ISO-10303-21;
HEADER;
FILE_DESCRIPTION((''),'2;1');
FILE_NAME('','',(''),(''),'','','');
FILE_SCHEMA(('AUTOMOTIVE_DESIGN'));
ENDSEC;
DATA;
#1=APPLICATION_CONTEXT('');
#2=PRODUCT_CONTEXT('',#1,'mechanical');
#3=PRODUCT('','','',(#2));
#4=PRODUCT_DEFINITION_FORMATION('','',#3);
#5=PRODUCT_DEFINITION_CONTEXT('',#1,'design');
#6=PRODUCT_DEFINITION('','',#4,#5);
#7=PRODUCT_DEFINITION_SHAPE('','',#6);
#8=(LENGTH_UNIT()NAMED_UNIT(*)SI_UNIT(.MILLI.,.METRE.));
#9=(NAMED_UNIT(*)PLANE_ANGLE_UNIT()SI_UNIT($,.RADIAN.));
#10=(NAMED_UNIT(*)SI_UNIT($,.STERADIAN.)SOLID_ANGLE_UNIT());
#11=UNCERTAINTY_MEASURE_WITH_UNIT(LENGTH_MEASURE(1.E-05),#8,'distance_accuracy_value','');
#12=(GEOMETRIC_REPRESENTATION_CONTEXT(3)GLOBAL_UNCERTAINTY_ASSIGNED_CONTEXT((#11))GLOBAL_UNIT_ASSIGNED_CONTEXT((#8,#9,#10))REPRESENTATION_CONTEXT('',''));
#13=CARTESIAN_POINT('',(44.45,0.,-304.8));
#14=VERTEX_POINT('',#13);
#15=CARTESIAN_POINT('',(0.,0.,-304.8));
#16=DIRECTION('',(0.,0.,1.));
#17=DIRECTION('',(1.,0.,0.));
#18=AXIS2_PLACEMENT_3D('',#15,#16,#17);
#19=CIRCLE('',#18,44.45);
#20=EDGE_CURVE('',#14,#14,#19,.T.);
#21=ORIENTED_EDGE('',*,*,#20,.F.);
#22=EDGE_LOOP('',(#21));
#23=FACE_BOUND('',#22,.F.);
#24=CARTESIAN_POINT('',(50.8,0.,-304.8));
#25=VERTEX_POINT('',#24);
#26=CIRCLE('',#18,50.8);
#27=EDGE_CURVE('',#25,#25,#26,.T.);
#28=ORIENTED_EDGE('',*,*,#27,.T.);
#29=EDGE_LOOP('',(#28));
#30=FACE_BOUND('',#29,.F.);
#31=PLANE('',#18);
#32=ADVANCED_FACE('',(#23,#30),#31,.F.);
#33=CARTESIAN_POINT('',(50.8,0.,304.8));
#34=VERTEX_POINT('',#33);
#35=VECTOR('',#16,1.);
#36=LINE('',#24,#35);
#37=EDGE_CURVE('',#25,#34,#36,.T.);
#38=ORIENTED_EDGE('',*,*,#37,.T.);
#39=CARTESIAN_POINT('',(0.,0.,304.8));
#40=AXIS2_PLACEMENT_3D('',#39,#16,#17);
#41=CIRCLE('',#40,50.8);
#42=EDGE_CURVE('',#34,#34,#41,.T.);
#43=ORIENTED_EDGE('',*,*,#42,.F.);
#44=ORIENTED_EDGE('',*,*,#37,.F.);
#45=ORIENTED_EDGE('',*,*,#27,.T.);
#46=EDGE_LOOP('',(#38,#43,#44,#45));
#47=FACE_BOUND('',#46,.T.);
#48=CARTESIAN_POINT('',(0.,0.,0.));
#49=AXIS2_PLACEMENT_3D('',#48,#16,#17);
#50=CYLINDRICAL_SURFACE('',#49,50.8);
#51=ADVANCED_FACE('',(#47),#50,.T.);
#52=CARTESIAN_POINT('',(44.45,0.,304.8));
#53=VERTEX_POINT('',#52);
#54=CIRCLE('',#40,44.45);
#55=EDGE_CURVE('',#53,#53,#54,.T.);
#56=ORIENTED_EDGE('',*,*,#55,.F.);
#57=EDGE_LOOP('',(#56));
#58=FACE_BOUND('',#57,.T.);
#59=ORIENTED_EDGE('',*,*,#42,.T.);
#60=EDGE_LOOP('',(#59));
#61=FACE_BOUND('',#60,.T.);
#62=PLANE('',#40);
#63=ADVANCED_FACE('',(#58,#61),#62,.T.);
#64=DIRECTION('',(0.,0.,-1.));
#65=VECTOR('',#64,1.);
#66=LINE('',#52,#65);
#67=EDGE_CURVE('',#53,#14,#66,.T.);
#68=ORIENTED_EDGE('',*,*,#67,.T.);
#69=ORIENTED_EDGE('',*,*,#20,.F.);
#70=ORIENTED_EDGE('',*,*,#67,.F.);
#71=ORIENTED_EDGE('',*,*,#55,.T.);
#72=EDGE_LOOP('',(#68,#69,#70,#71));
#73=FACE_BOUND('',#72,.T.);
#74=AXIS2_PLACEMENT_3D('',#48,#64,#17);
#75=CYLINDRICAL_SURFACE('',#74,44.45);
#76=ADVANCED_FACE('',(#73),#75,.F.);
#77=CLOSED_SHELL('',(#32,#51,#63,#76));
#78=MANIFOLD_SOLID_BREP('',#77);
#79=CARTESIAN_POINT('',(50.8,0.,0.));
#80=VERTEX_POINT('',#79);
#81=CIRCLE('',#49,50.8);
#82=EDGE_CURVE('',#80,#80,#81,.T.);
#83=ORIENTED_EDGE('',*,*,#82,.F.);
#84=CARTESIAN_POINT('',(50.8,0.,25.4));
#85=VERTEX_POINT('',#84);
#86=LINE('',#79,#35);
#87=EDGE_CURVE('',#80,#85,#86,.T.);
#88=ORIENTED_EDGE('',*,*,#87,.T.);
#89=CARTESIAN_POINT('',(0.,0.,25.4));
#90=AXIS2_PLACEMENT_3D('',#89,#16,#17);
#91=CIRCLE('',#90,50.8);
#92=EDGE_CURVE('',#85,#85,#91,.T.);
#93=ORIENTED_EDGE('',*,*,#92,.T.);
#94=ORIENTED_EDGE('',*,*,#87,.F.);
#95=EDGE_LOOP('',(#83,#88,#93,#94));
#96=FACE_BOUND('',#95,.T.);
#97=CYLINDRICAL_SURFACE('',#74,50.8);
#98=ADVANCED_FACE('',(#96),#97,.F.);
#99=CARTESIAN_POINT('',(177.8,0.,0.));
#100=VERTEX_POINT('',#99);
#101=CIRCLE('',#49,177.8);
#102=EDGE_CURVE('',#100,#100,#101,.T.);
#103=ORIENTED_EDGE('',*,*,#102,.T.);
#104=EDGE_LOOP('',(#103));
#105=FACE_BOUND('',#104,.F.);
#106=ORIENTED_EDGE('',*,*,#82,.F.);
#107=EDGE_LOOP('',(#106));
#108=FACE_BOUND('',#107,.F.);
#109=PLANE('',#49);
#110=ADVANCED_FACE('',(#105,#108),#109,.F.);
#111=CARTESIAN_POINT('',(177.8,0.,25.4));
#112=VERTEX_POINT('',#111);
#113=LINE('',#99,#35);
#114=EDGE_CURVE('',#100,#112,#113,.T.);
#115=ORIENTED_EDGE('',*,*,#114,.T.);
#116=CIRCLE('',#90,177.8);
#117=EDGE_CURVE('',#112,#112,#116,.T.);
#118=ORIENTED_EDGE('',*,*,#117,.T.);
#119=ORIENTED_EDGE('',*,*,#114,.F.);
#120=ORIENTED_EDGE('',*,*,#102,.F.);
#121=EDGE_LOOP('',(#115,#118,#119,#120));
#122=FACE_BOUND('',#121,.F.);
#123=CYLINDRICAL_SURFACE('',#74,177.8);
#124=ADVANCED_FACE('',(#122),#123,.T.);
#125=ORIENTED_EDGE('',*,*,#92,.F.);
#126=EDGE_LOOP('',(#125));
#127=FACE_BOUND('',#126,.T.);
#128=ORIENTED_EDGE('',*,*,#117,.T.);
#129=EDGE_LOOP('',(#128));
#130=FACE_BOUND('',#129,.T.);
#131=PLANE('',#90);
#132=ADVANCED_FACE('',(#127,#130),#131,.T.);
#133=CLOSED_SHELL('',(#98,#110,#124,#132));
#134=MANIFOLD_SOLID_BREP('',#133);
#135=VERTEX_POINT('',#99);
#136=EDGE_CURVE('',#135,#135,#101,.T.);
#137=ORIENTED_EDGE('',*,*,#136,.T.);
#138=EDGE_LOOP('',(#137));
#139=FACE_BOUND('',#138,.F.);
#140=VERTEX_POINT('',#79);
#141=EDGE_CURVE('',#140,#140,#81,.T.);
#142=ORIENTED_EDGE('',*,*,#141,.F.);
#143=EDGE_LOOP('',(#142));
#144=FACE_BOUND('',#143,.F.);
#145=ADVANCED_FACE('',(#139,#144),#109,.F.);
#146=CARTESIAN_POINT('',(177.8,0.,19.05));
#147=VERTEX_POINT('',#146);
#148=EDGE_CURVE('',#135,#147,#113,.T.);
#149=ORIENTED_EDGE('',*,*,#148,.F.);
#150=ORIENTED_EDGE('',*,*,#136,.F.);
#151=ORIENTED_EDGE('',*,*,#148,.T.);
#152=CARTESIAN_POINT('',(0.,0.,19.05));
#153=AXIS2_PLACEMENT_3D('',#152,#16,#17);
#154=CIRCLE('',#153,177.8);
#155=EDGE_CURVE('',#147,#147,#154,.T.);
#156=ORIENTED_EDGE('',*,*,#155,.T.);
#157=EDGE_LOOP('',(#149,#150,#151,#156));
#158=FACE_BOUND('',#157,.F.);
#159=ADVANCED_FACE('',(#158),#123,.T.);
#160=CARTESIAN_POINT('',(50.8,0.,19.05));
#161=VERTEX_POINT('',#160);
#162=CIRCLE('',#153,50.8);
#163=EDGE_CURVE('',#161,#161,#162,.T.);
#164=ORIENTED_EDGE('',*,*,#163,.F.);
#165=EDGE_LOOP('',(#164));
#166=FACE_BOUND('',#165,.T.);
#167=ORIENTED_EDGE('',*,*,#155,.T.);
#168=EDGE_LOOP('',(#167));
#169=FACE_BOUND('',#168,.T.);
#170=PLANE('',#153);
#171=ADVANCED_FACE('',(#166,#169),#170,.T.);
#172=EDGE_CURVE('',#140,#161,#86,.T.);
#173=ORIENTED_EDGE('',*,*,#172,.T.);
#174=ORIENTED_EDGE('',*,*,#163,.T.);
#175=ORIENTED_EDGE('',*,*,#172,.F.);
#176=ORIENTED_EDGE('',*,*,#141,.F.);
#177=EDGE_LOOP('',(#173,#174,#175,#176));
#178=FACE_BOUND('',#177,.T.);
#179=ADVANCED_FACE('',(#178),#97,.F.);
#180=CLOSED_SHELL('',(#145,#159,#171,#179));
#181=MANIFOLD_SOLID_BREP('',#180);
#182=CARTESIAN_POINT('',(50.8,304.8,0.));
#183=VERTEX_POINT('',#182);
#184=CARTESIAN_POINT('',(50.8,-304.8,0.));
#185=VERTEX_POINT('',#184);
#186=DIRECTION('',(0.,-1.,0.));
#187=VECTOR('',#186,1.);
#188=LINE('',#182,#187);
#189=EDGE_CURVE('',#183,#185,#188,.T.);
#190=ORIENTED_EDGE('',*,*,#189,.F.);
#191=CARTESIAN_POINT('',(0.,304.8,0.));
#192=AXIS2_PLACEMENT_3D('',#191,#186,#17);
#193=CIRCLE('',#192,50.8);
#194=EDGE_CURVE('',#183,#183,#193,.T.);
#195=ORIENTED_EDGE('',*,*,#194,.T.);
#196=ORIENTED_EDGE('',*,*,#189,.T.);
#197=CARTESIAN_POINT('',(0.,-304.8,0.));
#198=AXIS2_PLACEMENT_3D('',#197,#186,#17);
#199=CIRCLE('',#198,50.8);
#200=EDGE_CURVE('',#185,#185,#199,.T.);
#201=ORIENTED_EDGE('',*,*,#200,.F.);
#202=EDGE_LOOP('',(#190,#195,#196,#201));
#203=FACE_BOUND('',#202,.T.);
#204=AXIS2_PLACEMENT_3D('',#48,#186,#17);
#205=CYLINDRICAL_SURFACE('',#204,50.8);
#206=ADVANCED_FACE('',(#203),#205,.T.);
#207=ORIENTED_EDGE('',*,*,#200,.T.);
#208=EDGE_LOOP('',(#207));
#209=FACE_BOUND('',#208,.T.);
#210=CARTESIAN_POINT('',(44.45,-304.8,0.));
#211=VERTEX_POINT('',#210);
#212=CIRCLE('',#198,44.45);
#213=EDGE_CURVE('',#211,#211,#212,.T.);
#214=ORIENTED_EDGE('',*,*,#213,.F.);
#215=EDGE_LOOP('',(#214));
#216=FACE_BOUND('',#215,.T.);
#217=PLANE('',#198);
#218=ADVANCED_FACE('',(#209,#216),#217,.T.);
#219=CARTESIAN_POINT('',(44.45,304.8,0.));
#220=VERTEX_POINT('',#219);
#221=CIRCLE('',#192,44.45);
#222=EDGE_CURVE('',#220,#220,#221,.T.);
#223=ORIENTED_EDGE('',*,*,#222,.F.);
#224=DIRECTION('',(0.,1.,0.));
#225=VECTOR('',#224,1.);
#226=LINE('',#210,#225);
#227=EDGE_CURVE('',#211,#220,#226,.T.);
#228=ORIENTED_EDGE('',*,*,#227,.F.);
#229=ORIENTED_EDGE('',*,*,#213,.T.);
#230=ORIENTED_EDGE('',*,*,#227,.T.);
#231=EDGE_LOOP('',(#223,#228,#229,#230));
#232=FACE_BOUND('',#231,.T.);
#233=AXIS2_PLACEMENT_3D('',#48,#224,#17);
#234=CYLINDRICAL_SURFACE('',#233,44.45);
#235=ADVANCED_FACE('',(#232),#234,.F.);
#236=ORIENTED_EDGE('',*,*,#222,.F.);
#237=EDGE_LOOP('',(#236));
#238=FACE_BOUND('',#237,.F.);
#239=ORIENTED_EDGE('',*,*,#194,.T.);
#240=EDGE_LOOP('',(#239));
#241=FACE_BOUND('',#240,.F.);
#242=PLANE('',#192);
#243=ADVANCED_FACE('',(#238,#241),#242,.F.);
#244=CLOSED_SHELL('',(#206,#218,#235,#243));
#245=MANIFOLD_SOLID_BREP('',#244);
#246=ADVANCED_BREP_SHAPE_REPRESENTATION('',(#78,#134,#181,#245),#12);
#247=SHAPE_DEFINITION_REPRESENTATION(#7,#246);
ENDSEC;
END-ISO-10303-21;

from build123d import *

# Parameters (mm, degrees)
F0_R     = 50.8
F0_R_2   = 44.45
F1_DEPTH = 304.8
F2_R     = 50.8
F2_R_2   = 44.45
F3_DEPTH = 304.8
F4_R     = 177.8
F4_R_2   = 50.8
F5_DEPTH = 19.05
F6_R     = 177.8
F6_R_2   = 50.8
F7_DEPTH = 25.4


with BuildPart() as f1:
    # F0 (on Front) → F1 (new body, symmetric)
    with BuildSketch(Plane.XZ):
        Circle(F0_R)
        Circle(F0_R_2, mode=Mode.SUBTRACT)
    extrude(amount=F1_DEPTH, both=True)


with BuildPart() as f3:
    # F2 (on Top) → F3 (new body, symmetric)
    with BuildSketch(Plane.XY):
        Circle(F2_R)
        Circle(F2_R_2, mode=Mode.SUBTRACT)
    extrude(amount=F3_DEPTH, both=True)


with BuildPart() as f5:
    # F4 (on Top) → F5 (new body)
    with BuildSketch(Plane.XY):
        Circle(F4_R)
        Circle(F4_R_2, mode=Mode.SUBTRACT)
    extrude(amount=F5_DEPTH)


with BuildPart() as f7:
    # F6 (on Top) → F7 (new body)
    with BuildSketch(Plane.XY):
        Circle(F6_R)
        Circle(F6_R_2, mode=Mode.SUBTRACT)
    extrude(amount=F7_DEPTH)


solid = Compound([f1.part, f3.part, f5.part, f7.part])
